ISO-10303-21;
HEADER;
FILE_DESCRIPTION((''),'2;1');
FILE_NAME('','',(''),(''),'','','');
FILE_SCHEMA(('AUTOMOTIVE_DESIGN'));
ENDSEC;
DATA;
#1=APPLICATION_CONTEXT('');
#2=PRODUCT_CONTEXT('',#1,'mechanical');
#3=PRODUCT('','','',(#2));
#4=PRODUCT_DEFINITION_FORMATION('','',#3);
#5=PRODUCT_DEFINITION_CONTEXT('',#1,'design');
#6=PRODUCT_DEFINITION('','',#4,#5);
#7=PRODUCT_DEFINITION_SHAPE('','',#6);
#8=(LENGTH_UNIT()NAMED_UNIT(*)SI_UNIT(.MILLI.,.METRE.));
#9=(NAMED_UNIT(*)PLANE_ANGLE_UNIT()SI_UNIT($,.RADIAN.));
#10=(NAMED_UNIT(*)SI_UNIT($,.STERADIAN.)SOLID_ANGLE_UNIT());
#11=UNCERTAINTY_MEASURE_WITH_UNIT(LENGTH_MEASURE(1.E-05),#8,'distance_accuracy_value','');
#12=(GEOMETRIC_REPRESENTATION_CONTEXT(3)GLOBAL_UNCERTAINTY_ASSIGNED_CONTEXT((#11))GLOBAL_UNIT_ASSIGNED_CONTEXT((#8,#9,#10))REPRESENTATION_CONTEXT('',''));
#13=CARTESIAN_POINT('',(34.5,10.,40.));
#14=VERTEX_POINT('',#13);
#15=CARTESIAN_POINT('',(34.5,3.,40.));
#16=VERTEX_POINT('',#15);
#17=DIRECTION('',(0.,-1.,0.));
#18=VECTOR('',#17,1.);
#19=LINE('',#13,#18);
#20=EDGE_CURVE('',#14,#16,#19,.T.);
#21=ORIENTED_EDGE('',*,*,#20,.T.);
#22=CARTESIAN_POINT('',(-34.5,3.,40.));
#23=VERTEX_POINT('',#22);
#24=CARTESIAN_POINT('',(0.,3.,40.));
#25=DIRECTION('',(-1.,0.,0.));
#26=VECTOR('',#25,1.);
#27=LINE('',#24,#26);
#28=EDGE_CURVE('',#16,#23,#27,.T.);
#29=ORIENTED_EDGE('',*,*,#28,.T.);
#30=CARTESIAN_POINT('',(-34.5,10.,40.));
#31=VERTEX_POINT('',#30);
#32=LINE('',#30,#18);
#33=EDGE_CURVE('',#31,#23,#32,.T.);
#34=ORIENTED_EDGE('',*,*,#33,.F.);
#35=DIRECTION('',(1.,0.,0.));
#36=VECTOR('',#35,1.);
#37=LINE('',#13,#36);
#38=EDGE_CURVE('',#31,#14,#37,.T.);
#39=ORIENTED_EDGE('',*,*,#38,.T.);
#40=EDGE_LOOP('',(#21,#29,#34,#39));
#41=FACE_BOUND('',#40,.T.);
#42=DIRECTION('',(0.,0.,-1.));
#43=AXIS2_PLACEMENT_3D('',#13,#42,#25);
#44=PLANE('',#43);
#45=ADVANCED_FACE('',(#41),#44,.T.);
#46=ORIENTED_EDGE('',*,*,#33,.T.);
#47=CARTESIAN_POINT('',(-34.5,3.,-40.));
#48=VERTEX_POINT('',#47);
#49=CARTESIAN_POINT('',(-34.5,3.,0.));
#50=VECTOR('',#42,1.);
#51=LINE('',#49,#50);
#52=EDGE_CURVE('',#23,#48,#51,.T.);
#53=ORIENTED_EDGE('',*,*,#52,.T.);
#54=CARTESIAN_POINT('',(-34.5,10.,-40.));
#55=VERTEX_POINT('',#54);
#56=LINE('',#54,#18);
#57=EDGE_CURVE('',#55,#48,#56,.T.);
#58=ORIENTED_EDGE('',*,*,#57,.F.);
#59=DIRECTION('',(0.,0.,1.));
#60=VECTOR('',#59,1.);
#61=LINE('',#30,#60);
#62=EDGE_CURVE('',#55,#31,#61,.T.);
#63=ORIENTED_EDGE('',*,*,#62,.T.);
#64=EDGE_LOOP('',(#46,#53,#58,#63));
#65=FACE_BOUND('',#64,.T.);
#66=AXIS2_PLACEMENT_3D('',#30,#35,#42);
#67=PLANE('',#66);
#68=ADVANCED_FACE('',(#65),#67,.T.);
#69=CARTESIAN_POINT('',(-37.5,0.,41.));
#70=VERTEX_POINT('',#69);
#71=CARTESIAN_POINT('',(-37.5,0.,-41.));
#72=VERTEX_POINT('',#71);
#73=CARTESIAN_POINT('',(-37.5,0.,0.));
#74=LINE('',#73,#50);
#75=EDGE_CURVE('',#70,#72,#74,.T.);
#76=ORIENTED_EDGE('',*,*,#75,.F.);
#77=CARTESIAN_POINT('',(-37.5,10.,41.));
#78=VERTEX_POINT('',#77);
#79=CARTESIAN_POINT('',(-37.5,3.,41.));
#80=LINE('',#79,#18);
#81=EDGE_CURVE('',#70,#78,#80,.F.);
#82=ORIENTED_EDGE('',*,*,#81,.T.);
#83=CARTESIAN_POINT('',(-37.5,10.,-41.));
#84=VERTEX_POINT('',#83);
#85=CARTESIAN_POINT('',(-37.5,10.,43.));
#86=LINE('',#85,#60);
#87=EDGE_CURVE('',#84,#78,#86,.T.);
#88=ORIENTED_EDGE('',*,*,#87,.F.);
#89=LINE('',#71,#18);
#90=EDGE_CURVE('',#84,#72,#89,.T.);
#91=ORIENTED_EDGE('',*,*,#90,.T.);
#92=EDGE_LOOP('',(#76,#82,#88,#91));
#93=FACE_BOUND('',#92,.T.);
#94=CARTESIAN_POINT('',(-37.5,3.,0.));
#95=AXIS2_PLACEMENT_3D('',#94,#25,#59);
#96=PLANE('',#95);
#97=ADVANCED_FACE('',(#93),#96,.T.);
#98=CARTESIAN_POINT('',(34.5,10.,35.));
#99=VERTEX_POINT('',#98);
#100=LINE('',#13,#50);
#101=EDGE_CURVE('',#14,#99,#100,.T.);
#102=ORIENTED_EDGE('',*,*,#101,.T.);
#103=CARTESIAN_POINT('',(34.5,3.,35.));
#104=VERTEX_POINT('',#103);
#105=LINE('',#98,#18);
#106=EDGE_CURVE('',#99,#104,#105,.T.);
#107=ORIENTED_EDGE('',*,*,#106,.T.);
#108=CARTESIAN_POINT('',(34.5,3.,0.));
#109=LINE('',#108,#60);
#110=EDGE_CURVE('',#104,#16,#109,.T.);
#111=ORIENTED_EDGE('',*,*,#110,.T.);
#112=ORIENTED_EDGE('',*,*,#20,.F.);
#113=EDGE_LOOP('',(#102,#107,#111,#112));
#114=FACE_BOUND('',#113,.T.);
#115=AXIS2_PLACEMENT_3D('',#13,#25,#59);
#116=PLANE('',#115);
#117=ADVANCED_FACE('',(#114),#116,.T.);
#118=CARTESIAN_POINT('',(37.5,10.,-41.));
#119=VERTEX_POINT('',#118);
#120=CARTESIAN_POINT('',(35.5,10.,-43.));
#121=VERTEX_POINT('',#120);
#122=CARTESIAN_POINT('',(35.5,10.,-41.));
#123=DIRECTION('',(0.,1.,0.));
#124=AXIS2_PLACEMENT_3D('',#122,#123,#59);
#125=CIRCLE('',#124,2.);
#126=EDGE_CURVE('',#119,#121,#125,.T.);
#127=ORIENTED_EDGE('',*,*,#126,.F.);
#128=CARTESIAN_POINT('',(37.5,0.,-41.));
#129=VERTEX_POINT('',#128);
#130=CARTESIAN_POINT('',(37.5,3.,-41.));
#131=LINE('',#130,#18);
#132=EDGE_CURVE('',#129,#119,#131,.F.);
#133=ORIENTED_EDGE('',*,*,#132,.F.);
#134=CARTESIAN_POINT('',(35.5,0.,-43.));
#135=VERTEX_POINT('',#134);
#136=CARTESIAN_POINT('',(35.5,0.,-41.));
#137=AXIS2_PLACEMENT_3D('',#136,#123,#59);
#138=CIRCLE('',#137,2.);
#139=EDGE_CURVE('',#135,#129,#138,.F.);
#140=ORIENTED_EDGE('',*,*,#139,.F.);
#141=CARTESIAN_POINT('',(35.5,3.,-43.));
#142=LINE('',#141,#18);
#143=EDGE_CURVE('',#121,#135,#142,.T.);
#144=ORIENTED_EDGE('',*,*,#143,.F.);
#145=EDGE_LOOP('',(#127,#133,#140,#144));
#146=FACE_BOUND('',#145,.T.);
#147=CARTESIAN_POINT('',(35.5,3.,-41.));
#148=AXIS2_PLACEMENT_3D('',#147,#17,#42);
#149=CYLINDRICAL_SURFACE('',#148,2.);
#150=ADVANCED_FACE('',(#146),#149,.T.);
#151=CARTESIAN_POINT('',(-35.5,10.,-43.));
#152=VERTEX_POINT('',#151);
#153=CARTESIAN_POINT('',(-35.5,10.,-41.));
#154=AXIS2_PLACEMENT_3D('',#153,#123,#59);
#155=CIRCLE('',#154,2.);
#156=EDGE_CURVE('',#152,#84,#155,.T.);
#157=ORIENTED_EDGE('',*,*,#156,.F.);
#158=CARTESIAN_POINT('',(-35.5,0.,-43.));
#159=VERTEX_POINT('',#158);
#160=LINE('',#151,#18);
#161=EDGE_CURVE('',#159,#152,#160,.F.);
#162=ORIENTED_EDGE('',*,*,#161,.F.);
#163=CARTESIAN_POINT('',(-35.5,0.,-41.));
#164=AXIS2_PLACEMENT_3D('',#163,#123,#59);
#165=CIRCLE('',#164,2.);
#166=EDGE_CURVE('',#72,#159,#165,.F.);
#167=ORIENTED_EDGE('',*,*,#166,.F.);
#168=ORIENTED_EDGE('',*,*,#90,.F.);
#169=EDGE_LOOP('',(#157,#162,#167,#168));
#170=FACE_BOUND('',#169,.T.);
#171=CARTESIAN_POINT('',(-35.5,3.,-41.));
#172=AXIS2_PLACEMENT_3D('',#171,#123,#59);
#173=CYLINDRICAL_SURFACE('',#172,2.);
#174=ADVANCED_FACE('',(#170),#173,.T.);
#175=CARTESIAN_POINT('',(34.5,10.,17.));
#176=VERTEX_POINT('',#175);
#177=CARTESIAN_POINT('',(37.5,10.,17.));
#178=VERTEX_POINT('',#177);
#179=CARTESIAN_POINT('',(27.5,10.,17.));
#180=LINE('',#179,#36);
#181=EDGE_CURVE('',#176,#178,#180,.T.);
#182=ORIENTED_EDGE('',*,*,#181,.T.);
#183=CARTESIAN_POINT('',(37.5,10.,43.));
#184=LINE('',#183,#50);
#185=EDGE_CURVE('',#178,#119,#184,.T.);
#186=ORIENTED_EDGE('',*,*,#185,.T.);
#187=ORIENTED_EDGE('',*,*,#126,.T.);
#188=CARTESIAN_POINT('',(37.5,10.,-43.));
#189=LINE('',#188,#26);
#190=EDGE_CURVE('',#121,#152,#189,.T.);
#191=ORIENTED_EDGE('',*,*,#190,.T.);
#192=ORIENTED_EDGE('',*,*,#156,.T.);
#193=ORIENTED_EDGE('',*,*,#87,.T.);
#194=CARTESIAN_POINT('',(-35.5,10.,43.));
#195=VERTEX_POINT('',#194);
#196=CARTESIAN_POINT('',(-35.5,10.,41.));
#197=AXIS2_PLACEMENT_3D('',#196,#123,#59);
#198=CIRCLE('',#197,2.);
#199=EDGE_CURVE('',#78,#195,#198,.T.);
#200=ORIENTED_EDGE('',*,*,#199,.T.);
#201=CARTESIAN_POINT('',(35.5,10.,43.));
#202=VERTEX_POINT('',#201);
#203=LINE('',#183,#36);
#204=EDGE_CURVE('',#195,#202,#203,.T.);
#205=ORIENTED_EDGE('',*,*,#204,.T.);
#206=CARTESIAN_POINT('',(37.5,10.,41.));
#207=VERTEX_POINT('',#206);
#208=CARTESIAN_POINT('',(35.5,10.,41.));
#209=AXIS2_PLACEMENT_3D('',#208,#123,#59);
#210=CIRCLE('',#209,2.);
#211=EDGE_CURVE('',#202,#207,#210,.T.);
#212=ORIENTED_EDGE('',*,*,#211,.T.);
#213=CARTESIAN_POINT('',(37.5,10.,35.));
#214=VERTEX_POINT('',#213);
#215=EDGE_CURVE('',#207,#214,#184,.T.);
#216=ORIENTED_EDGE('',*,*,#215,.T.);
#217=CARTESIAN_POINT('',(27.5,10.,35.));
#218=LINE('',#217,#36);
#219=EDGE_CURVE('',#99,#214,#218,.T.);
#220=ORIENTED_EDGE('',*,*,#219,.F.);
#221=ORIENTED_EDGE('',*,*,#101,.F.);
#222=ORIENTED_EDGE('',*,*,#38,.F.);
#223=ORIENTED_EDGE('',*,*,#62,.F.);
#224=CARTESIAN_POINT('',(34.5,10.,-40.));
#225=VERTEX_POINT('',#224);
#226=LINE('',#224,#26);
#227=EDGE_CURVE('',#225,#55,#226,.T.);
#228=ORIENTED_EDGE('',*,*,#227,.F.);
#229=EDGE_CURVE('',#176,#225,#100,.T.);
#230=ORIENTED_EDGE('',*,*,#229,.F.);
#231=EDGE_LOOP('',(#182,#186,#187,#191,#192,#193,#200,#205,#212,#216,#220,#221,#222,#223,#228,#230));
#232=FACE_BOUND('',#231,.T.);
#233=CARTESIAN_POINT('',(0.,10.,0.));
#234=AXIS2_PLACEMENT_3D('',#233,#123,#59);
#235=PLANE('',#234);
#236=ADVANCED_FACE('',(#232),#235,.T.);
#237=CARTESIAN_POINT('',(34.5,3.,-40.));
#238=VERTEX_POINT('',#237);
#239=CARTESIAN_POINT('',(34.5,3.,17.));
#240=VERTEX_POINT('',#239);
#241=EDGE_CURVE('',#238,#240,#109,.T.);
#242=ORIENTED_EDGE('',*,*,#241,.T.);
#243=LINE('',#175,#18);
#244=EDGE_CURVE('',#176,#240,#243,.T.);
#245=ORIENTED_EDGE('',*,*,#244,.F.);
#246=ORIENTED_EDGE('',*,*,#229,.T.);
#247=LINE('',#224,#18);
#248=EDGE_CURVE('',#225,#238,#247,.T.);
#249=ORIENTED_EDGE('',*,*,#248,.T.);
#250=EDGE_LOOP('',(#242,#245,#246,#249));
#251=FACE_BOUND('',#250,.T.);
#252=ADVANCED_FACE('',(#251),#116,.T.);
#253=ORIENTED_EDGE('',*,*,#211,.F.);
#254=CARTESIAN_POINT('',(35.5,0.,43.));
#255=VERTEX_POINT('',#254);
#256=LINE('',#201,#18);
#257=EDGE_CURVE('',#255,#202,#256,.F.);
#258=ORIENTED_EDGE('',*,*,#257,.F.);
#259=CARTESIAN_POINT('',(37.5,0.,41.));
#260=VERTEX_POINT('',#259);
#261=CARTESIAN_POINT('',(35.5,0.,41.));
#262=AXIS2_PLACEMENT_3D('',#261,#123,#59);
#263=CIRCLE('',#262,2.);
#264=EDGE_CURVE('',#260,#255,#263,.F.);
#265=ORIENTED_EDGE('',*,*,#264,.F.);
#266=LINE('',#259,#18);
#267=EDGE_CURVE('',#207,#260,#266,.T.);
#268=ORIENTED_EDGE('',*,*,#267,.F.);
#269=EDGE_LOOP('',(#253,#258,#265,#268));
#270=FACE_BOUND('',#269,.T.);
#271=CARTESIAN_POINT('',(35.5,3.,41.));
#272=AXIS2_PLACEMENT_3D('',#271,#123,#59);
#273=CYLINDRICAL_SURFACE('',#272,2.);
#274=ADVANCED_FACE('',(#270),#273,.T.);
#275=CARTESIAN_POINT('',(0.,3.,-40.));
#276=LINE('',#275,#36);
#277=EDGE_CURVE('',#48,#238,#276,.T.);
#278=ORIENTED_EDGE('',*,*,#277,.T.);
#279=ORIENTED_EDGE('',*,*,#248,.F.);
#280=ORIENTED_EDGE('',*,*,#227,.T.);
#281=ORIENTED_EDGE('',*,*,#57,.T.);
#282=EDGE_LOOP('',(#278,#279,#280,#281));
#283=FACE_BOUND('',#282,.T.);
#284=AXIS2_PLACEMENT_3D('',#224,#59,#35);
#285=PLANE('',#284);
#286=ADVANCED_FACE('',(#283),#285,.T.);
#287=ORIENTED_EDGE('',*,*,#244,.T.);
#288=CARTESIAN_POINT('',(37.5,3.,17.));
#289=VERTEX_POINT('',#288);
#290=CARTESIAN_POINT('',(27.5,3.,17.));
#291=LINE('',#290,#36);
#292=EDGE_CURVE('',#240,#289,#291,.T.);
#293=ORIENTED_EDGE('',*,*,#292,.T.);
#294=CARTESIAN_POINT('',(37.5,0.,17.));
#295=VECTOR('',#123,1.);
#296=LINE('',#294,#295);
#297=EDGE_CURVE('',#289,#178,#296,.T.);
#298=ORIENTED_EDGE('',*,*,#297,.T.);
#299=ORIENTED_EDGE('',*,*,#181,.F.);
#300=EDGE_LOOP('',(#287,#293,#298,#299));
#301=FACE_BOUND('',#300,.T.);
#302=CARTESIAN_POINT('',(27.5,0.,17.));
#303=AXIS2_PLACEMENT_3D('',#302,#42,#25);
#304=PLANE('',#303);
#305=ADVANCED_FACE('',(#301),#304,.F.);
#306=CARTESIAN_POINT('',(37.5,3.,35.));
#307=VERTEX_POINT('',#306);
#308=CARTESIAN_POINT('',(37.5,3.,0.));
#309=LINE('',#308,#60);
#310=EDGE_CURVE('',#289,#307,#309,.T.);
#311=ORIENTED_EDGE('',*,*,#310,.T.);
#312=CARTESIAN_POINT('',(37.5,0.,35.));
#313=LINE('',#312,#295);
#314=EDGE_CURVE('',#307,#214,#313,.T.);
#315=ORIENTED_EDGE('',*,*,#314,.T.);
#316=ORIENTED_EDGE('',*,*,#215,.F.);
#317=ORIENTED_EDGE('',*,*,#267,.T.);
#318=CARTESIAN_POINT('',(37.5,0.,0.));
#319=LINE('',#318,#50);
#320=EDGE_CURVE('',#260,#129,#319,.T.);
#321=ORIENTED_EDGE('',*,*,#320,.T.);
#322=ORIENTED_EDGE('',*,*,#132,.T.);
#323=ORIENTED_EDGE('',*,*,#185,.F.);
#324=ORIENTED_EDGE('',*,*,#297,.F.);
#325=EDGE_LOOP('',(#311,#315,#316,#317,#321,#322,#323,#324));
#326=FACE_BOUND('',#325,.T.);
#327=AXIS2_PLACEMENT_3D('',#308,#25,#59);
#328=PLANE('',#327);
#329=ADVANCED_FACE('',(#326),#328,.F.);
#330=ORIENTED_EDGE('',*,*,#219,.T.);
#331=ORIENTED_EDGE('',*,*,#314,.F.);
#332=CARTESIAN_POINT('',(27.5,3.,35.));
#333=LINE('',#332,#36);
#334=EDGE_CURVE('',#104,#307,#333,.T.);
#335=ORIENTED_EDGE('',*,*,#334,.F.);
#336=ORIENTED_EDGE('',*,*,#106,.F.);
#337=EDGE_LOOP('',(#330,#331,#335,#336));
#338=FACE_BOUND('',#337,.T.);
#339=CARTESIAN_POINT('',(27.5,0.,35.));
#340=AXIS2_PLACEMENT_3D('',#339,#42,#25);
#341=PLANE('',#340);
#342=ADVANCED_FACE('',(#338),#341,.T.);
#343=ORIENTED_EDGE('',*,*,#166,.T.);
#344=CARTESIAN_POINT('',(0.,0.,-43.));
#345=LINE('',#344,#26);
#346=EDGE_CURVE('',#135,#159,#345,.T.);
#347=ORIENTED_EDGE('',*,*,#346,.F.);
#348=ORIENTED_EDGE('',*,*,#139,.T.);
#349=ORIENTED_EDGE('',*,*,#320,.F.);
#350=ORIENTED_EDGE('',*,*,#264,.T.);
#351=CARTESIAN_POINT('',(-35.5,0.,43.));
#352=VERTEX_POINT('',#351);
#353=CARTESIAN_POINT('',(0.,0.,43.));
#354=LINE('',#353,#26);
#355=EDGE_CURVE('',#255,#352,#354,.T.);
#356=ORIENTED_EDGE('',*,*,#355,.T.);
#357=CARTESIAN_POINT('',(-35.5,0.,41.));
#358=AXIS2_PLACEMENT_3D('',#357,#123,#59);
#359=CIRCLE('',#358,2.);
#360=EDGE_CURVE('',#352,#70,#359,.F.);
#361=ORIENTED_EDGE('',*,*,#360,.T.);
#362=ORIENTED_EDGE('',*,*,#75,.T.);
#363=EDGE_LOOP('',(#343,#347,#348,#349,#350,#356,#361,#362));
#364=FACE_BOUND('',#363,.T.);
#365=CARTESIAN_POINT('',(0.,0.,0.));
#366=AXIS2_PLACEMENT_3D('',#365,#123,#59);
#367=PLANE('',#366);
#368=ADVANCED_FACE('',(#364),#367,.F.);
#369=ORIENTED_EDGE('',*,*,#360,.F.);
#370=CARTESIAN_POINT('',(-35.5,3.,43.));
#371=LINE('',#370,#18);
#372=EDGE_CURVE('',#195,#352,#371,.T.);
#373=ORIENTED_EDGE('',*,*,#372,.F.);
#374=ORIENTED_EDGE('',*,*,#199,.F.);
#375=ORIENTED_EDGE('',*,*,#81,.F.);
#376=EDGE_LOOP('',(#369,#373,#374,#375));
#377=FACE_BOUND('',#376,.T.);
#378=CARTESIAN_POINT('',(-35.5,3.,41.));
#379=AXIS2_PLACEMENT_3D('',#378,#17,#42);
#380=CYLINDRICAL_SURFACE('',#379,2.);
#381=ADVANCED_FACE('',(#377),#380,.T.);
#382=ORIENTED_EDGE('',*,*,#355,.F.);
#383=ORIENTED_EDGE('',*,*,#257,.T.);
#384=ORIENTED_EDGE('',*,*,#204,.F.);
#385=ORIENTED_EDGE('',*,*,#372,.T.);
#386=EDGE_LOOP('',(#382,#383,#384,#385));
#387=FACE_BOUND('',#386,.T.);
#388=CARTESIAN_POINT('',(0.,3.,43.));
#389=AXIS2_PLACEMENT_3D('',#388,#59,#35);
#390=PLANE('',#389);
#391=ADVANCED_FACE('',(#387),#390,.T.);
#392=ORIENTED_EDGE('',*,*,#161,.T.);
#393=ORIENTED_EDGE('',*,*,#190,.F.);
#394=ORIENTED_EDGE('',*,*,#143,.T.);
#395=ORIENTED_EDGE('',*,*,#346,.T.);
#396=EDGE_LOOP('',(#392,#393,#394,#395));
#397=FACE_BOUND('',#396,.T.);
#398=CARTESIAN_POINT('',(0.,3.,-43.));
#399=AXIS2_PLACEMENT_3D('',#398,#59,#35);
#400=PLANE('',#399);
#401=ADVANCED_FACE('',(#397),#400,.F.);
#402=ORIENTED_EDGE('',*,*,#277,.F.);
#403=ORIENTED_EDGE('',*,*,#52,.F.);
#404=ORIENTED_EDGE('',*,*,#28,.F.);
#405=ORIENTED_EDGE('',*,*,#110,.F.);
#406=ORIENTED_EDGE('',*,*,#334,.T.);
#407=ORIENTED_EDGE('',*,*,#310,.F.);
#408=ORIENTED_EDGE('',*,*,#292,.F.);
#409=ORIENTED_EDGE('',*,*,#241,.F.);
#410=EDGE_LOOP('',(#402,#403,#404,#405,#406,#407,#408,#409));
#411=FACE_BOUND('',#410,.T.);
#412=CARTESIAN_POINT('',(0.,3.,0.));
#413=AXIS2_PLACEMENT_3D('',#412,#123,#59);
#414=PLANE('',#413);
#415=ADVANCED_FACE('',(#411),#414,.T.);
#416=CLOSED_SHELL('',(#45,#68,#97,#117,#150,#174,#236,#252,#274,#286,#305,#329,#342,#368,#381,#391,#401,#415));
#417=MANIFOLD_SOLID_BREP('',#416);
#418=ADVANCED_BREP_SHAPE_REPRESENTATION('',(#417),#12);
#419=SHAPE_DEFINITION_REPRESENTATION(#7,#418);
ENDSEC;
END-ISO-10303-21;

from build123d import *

# Parameters (mm, degrees)
SKETCH1_W           = 75
SKETCH1_H           = 86
BOSS_EXTRUDE1_DEPTH = 3
SKETCH1_4_W         = 75
SKETCH1_4_H         = 86
SKETCH1_4_W_2       = 69
SKETCH1_4_H_2       = 80
BOSS_EXTRUDE2_DEPTH = 10
SKETCH2_W           = 18
SKETCH2_H           = 7
CUT_EXTRUDE1_DEPTH  = 10
FILLET1_R           = 2


with BuildPart() as part:
    # Sketch1 → Boss-Extrude1 (new body)
    with BuildSketch(Plane(origin=(0, 0, 0), x_dir=(1, 0, 0), z_dir=(0, 1, 0))):
        Rectangle(SKETCH1_W, SKETCH1_H)
    extrude(amount=BOSS_EXTRUDE1_DEPTH)

    # Sketch1<4> → Boss-Extrude2 (add)
    with BuildSketch(Plane(origin=(0, 0, 0), x_dir=(1, 0, 0), z_dir=(0, 1, 0))):
        Rectangle(SKETCH1_4_W, SKETCH1_4_H)
        Rectangle(SKETCH1_4_W_2, SKETCH1_4_H_2, mode=Mode.SUBTRACT)
    extrude(amount=BOSS_EXTRUDE2_DEPTH)

    # Sketch2 → Cut-Extrude1 (cut)
    with BuildSketch(Plane(origin=(37.5, 0, 0), x_dir=(0, 0, -1), z_dir=(1, 0, 0))):
        with Locations((-26, 6.5)):
            Rectangle(SKETCH2_W, SKETCH2_H)
    extrude(amount=-CUT_EXTRUDE1_DEPTH, mode=Mode.SUBTRACT)

    # Fillet1
    fillet1_edges = [part.edges().sort_by_distance(p)[0] for p in [
        (-37.5, 5, -43),
        (37.5, 5, -43),
        (37.5, 5, 43),
        (-37.5, 5, 43),
    ]]
    fillet(fillet1_edges, radius=FILLET1_R)


solid = part.part
